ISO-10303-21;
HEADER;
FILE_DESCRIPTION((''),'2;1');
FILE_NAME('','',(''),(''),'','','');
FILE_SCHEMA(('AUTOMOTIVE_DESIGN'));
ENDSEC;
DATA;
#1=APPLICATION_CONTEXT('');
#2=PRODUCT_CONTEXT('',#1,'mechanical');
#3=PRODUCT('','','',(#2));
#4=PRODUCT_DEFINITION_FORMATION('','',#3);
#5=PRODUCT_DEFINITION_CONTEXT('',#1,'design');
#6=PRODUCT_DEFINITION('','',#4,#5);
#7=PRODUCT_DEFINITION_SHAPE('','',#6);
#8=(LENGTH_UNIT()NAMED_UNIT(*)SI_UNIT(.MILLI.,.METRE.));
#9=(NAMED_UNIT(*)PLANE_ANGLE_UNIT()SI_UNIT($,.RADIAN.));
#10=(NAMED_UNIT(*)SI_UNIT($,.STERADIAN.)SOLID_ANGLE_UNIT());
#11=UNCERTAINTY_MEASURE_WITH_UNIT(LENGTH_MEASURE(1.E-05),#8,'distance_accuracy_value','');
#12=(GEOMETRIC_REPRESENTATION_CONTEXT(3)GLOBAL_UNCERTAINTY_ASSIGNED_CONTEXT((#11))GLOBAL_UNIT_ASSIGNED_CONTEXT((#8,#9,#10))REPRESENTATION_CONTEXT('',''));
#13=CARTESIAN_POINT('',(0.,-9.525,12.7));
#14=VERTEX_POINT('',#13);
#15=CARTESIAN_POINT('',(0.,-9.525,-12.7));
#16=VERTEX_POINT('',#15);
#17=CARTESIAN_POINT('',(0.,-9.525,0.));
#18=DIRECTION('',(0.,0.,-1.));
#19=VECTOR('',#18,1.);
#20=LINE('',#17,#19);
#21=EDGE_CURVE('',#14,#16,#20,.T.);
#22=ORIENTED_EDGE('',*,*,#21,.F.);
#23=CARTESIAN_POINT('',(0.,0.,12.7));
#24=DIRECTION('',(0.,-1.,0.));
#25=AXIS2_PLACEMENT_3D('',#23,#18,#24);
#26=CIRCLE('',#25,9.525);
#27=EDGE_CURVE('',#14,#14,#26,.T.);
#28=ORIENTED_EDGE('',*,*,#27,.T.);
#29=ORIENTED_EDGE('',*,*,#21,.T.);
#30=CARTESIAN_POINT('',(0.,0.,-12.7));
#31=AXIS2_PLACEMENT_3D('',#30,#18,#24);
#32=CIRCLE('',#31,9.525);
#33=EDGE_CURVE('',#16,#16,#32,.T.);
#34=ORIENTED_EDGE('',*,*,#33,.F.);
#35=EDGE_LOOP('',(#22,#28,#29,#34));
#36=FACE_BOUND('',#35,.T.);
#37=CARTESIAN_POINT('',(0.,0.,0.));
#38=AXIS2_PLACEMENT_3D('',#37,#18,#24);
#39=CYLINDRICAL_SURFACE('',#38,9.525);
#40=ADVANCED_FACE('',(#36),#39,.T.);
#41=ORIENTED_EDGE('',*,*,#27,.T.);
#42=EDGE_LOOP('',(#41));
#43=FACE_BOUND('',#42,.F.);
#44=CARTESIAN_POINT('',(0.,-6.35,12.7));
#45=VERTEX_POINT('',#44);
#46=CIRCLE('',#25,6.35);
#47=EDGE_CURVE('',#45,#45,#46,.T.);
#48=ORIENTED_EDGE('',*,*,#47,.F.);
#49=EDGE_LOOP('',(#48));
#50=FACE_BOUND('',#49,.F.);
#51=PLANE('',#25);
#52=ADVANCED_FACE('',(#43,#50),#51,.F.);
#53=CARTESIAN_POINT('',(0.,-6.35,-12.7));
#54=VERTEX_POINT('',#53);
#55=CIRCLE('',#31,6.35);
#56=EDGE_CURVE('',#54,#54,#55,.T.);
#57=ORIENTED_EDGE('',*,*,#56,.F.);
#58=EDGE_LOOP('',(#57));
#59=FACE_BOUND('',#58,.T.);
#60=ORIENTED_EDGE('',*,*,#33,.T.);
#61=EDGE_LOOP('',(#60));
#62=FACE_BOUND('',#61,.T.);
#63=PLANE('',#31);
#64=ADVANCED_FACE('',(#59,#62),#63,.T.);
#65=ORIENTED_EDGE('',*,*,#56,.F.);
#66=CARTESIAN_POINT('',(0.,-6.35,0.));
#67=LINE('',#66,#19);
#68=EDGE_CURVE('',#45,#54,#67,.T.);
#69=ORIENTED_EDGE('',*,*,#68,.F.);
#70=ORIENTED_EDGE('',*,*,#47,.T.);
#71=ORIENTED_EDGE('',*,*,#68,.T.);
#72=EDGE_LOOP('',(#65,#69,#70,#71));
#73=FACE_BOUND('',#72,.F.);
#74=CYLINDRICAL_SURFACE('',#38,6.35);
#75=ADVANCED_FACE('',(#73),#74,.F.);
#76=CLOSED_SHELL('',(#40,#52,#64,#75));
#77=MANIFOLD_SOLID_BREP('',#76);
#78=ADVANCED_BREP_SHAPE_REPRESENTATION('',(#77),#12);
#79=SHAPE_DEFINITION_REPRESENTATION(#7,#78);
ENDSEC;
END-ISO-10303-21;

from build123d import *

# Parameters (mm, degrees)
SKETCH1_W = 25.4
SKETCH1_H = 3.175


with BuildPart() as part:
    # Sketch1 → Revolve1 (revolve)
    with BuildSketch(Plane(origin=(0, 0, 0), x_dir=(0, 0, -1), z_dir=(1, 0, 0))):
        with Locations((0, -7.9375)):
            Rectangle(SKETCH1_W, SKETCH1_H)
    revolve(axis=Axis((0, 0, 15.184961871), (0, 0, -1)))


solid = part.part
